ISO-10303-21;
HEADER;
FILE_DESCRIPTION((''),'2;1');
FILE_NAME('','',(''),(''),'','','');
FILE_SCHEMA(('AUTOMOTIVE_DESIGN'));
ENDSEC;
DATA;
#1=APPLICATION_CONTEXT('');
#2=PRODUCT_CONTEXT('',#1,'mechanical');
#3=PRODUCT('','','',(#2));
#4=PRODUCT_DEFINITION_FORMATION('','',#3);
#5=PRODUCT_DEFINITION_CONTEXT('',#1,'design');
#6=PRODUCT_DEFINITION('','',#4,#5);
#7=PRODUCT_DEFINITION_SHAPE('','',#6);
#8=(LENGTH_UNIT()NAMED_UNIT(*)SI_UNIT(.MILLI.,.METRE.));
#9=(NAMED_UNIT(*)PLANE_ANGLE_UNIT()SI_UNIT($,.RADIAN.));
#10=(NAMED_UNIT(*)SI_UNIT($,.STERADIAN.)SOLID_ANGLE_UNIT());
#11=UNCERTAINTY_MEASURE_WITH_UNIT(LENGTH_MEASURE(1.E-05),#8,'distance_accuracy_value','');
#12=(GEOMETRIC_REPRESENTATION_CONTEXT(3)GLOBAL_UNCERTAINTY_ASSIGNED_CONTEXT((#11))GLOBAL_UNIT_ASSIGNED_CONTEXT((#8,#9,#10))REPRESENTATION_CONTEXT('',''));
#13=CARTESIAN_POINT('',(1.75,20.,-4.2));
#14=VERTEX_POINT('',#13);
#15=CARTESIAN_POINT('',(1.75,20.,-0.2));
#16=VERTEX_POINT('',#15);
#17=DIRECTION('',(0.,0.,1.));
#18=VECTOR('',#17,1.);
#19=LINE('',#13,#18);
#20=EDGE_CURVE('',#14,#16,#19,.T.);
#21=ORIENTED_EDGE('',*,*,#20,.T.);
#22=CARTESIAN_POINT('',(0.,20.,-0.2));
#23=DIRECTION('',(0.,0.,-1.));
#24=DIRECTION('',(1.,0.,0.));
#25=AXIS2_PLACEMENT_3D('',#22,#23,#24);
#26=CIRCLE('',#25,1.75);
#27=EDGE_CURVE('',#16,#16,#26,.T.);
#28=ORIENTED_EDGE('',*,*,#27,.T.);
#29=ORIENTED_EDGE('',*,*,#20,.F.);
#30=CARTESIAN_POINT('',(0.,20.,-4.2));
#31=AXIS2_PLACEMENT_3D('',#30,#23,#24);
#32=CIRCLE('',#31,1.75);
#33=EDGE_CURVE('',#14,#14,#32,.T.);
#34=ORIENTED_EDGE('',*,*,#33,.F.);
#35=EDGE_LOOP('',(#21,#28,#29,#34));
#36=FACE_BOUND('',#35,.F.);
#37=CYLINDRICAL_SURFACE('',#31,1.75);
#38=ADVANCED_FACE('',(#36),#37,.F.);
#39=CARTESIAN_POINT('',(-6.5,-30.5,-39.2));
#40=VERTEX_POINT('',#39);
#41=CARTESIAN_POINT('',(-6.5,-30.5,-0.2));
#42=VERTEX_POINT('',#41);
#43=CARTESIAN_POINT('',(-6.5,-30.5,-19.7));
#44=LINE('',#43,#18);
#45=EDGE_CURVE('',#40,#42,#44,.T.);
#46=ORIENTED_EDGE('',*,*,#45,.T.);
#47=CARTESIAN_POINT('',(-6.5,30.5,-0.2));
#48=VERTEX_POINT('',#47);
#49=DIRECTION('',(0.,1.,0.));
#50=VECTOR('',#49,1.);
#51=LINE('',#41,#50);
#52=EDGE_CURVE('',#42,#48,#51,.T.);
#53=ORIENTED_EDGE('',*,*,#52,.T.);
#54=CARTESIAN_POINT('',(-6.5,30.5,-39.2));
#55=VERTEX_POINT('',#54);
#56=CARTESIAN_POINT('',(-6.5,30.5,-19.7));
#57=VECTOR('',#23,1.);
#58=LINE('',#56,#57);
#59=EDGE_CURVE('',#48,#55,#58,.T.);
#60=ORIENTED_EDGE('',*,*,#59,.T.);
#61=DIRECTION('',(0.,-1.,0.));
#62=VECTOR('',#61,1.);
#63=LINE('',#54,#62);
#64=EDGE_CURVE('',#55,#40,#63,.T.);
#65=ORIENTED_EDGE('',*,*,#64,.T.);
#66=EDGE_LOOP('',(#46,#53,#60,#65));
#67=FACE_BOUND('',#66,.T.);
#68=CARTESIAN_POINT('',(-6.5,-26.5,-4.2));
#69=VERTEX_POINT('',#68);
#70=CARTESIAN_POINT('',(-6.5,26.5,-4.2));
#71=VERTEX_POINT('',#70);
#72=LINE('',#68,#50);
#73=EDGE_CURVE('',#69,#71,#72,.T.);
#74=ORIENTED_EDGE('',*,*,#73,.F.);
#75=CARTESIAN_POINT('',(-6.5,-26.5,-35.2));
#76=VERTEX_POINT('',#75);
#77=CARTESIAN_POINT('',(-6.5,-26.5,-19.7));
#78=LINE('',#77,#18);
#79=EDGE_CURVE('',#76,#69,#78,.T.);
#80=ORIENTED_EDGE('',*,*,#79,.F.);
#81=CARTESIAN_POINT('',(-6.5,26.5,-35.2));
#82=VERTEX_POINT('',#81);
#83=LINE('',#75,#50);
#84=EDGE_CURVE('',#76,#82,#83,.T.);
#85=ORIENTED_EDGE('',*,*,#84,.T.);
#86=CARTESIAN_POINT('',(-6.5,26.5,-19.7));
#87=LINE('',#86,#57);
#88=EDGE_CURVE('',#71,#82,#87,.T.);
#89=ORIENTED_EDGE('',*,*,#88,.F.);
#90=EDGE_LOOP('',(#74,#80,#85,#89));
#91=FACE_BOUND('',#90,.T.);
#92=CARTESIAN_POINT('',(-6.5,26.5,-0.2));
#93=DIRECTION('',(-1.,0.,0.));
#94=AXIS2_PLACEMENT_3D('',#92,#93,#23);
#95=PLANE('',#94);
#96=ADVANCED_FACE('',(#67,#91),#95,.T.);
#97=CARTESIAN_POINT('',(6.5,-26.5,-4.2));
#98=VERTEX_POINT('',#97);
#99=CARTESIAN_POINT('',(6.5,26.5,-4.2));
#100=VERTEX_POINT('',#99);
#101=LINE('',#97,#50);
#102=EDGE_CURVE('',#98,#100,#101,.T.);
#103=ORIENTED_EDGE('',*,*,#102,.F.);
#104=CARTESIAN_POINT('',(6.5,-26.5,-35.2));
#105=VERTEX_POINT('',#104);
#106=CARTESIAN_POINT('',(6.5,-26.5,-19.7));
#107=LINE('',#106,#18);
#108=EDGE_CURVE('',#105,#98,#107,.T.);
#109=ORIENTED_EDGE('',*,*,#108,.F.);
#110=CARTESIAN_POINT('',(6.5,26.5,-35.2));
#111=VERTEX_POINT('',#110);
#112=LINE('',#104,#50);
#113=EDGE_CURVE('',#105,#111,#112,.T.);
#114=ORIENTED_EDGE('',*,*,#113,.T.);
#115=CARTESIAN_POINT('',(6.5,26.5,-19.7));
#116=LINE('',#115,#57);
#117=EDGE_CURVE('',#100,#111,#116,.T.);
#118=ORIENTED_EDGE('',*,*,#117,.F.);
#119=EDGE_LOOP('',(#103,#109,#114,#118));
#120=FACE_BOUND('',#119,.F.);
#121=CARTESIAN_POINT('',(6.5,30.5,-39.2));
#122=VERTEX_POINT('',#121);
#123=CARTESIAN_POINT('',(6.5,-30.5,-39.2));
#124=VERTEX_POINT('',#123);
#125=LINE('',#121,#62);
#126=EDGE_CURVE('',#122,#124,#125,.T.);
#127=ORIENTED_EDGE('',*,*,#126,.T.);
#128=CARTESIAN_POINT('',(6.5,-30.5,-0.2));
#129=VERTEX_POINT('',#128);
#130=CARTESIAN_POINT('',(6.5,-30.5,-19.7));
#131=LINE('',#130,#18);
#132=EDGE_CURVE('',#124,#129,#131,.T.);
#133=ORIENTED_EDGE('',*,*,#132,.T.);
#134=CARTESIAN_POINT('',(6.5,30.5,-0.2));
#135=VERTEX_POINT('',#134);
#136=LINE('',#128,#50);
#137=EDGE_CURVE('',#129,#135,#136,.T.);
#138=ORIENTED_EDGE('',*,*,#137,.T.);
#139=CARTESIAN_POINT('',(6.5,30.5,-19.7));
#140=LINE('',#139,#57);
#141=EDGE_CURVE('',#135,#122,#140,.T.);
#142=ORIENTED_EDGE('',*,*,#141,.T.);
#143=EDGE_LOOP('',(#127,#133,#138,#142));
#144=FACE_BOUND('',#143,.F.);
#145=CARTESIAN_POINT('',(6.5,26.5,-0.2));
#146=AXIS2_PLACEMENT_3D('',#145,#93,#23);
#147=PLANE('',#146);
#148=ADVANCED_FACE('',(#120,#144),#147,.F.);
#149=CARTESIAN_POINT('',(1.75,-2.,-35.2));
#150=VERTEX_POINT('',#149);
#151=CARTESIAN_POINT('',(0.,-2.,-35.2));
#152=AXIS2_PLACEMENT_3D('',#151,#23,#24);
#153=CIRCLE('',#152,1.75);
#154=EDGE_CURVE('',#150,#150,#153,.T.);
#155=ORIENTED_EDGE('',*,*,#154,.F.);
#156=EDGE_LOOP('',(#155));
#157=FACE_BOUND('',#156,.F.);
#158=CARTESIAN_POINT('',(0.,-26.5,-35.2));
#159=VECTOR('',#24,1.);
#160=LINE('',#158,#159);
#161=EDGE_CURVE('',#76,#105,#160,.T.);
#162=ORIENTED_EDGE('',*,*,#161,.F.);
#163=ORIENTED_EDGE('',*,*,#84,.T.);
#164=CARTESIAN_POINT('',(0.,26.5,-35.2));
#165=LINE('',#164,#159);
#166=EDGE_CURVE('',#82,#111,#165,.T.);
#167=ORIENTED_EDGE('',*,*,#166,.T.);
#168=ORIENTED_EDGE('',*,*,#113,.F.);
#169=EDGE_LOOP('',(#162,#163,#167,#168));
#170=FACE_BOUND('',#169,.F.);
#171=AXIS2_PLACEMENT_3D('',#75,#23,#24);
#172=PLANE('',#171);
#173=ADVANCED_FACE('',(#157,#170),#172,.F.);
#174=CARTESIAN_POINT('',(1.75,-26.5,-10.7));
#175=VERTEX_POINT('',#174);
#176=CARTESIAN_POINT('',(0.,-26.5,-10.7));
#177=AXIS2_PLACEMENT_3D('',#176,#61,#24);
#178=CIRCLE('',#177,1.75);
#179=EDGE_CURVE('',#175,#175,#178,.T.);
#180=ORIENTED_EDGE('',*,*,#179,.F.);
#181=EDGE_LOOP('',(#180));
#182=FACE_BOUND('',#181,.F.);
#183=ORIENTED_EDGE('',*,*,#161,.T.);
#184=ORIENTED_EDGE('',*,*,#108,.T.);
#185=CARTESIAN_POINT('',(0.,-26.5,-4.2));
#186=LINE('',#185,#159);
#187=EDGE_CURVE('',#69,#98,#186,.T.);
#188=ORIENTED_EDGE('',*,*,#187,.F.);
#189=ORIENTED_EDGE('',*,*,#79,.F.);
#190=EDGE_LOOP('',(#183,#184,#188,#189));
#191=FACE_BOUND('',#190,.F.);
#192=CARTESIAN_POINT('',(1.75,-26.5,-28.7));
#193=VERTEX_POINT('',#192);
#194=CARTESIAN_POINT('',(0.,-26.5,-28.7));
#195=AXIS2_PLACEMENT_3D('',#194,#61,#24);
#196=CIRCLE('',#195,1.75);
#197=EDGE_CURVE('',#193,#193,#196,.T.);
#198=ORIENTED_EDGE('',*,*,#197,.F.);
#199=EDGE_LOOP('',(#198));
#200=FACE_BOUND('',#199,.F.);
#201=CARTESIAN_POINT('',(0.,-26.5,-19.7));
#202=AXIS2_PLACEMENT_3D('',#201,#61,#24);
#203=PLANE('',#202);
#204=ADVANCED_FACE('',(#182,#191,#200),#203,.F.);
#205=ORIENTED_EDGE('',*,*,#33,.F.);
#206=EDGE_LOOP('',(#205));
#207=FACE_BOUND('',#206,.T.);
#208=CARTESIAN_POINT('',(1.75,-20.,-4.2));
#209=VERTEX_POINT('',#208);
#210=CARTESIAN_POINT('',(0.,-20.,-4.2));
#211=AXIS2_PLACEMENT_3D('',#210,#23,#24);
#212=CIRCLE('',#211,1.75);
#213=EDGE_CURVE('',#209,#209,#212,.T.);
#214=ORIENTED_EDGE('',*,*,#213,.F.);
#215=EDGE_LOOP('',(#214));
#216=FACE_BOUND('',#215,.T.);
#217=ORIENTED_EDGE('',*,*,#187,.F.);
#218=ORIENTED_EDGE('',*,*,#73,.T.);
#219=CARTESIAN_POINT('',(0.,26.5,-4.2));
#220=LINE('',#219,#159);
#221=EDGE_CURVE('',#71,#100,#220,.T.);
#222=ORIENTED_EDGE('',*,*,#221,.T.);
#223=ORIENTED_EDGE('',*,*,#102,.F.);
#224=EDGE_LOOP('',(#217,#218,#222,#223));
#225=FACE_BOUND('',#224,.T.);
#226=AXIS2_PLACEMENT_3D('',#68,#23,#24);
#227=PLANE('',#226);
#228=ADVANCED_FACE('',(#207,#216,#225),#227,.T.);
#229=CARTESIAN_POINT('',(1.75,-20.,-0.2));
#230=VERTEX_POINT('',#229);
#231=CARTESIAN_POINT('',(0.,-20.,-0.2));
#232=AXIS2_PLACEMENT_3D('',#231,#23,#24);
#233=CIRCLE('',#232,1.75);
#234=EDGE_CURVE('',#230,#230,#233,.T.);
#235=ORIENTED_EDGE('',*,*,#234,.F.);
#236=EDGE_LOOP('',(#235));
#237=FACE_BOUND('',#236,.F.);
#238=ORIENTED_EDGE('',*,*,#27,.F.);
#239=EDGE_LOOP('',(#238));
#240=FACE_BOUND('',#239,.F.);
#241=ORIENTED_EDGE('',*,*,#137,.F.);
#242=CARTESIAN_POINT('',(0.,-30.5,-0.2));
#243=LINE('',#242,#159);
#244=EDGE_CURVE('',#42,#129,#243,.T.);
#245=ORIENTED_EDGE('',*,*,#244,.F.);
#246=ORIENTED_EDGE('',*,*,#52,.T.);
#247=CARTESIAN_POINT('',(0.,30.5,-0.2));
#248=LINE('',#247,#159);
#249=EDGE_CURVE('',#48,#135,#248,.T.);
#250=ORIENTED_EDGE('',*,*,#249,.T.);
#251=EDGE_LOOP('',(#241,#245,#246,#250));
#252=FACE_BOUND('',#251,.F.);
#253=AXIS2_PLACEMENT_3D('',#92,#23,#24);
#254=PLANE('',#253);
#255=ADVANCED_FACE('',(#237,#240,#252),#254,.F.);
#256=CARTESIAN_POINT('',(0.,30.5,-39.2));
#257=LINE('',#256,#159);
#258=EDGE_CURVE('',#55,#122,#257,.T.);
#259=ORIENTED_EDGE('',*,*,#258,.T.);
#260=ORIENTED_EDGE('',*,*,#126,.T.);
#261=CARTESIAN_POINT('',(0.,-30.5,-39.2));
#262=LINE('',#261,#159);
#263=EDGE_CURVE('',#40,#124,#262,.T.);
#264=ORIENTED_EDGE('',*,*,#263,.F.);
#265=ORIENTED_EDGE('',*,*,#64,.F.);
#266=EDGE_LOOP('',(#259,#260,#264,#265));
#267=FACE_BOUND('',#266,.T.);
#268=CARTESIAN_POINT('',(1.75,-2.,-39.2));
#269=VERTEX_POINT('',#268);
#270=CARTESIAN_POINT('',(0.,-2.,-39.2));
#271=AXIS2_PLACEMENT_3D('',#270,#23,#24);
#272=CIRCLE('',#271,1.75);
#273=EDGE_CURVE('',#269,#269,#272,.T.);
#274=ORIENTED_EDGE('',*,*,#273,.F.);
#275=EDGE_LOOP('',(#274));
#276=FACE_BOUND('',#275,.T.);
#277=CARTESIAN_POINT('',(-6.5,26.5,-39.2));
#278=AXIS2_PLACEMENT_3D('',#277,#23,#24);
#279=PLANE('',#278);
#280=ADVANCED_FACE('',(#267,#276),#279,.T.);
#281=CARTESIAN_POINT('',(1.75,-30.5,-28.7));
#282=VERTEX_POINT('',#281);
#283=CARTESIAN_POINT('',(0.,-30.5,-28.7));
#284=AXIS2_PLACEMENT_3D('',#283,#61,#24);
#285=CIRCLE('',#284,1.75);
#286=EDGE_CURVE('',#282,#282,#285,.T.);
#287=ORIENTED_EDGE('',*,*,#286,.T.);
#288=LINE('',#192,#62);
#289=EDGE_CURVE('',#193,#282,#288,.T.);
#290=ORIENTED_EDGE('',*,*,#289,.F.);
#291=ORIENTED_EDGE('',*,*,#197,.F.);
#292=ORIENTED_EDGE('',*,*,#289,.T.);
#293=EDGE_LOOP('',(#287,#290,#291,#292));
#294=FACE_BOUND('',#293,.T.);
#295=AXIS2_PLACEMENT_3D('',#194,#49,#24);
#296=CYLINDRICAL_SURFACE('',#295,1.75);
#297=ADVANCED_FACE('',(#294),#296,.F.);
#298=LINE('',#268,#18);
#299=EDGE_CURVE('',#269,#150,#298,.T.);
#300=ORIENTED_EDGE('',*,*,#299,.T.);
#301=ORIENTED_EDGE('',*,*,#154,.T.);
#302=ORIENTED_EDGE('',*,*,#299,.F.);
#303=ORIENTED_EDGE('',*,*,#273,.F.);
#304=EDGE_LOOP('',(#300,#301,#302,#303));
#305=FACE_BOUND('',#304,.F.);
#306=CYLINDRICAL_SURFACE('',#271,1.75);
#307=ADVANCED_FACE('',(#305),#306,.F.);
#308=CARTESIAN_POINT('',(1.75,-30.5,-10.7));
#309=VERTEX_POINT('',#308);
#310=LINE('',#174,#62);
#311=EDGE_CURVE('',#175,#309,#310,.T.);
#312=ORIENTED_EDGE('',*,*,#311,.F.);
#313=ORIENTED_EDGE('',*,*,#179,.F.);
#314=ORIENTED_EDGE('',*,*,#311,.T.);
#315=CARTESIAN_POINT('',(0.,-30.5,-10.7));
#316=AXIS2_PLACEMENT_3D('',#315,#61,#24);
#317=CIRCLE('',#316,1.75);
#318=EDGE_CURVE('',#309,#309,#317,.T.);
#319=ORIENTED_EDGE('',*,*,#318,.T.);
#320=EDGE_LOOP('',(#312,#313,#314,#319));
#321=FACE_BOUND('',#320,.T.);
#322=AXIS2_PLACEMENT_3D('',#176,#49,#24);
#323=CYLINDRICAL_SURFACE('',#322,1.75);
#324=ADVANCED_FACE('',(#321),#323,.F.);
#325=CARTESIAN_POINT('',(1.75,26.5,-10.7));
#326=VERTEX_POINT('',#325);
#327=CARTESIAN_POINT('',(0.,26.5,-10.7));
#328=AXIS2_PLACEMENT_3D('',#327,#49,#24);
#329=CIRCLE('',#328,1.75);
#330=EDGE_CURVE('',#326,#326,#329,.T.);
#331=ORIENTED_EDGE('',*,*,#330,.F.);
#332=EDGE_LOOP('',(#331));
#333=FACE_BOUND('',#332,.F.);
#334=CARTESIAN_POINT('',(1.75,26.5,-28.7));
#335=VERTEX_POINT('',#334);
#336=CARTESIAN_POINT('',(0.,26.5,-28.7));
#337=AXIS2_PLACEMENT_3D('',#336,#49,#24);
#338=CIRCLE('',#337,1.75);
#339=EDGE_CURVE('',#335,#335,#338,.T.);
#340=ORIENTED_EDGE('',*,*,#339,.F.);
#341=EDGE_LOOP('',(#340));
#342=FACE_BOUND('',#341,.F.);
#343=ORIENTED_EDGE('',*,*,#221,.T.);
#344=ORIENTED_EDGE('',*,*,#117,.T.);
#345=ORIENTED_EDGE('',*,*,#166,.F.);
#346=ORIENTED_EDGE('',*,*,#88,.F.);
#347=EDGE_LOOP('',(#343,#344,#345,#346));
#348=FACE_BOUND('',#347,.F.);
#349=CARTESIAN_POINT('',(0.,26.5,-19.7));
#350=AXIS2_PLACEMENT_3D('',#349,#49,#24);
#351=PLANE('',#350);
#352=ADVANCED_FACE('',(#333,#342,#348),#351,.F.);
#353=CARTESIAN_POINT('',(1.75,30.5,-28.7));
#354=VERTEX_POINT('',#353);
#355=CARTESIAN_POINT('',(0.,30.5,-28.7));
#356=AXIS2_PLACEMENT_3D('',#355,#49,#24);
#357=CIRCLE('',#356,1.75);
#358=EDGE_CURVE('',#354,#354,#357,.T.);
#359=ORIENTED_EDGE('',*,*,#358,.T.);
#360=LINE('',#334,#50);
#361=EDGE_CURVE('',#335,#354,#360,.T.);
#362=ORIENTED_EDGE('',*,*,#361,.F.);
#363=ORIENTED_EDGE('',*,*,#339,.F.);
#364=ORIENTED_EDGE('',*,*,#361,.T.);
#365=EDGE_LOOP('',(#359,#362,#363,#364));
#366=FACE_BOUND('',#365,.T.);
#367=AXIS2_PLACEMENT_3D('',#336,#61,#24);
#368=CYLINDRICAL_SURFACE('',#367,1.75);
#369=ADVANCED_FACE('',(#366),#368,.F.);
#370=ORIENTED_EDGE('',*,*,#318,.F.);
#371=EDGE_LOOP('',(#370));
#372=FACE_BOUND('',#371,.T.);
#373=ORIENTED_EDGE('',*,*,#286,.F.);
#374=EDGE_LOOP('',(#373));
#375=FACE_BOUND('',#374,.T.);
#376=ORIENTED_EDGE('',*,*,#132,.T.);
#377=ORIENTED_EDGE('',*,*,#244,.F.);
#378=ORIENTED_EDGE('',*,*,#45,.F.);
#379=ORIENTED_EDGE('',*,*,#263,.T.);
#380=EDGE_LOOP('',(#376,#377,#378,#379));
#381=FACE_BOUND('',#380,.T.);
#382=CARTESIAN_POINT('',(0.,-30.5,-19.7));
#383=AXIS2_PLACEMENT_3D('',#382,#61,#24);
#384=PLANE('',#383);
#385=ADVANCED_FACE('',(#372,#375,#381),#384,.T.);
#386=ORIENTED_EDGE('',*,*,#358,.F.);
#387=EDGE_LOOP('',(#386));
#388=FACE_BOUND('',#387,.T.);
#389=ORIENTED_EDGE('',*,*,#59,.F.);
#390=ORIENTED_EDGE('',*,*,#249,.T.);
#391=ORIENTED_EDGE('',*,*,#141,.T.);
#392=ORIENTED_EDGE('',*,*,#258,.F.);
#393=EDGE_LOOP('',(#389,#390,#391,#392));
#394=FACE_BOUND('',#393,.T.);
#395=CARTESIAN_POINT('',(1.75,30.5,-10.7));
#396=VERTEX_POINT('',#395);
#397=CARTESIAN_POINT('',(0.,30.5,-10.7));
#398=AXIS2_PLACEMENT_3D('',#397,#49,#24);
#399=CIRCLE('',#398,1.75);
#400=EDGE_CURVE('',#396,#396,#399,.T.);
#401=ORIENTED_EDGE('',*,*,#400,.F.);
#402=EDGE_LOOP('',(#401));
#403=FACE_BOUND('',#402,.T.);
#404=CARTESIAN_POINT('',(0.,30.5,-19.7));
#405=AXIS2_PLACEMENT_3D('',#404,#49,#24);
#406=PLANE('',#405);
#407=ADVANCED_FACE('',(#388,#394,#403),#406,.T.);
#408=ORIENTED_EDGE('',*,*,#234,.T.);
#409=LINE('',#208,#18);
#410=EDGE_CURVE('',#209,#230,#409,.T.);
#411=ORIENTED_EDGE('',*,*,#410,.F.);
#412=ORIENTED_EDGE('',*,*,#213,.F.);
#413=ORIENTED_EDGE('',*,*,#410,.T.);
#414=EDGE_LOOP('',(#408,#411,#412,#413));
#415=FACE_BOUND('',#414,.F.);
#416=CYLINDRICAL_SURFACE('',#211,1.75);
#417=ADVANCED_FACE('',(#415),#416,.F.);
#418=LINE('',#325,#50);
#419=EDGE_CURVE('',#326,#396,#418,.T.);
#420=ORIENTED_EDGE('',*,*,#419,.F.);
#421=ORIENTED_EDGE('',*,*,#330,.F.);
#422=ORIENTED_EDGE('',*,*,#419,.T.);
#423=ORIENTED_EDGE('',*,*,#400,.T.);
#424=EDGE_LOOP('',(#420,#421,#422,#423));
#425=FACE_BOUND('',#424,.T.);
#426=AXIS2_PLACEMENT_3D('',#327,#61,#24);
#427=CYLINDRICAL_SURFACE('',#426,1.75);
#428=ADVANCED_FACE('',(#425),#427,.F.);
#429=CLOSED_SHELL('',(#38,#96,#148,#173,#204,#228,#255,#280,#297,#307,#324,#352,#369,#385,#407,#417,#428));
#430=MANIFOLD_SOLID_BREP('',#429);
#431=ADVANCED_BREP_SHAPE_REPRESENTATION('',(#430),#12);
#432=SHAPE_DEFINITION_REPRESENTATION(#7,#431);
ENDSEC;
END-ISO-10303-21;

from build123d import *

# Parameters (mm, degrees)
SKETCH077_W     = 13
SKETCH077_H     = 39
SKETCH077_R     = 1.75
PAD053_DEPTH    = 4
SKETCH082_W     = 13
SKETCH082_H     = 4
PAD054_DEPTH    = 53
SKETCH083_W     = 13
SKETCH083_H     = 39
SKETCH083_R     = 1.75
PAD055_DEPTH    = 4
SKETCH084_R     = 1.75
POCKET017_DEPTH = 4
SKETCH085_R     = 1.75
POCKET018_DEPTH = 4


with BuildPart() as part:
    # Sketch077 → Pad053 (new body)
    with BuildSketch(Plane.XZ):
        with Locations((0, -19.7)):
            Rectangle(SKETCH077_W, SKETCH077_H)
        with Locations((0, -10.7)):
            Circle(SKETCH077_R, mode=Mode.SUBTRACT)
        with Locations((0, -28.7)):
            Circle(SKETCH077_R, mode=Mode.SUBTRACT)
    extrude(amount=PAD053_DEPTH)

    # Sketch082 (on Face7 of Pad053) → Pad054 (join)
    with BuildSketch(Plane(origin=(0, 0, 0), x_dir=(1, 0, 0), z_dir=(0, 1, 0))):
        with Locations((0, 37.2)):
            Rectangle(SKETCH082_W, SKETCH082_H)
        with Locations((0, 2.2)):
            Rectangle(SKETCH082_W, SKETCH082_H)
    extrude(amount=PAD054_DEPTH)

    # Sketch083 (on Face12 of Pad054) → Pad055 (join)
    with BuildSketch(Plane(origin=(0, 53, 0), x_dir=(1, 0, 0), z_dir=(0, 1, 0))):
        with Locations((0, 19.7)):
            Rectangle(SKETCH083_W, SKETCH083_H)
        with Locations((0, 28.7)):
            Circle(SKETCH083_R, mode=Mode.SUBTRACT)
        with Locations((0, 10.7)):
            Circle(SKETCH083_R, mode=Mode.SUBTRACT)
    extrude(amount=PAD055_DEPTH)

    # Sketch084 (on Face18 of Pad055) → Pocket017 (cut)
    with BuildSketch(Plane(origin=(0, 0, -4.2), x_dir=(1, 0, 0), z_dir=(0, 0, -1))):
        with Locations((0, -6.5)):
            Circle(SKETCH084_R)
        with Locations((0, -46.5)):
            Circle(SKETCH084_R)
    extrude(amount=-POCKET017_DEPTH, mode=Mode.SUBTRACT)

    # Sketch085 (on Face15 of Pad054) → Pocket018 (cut)
    with BuildSketch(Plane(origin=(0, 0, -39.2), x_dir=(1, 0, 0), z_dir=(0, 0, -1))):
        with Locations((0, -24.5)):
            Circle(SKETCH085_R)
    extrude(amount=-POCKET018_DEPTH, mode=Mode.SUBTRACT)


with BuildPart() as part_1:
    # Body018 placement: moved
    add(part.part.moved(Location((0, -26.5, 0))))


solid = part_1.part
